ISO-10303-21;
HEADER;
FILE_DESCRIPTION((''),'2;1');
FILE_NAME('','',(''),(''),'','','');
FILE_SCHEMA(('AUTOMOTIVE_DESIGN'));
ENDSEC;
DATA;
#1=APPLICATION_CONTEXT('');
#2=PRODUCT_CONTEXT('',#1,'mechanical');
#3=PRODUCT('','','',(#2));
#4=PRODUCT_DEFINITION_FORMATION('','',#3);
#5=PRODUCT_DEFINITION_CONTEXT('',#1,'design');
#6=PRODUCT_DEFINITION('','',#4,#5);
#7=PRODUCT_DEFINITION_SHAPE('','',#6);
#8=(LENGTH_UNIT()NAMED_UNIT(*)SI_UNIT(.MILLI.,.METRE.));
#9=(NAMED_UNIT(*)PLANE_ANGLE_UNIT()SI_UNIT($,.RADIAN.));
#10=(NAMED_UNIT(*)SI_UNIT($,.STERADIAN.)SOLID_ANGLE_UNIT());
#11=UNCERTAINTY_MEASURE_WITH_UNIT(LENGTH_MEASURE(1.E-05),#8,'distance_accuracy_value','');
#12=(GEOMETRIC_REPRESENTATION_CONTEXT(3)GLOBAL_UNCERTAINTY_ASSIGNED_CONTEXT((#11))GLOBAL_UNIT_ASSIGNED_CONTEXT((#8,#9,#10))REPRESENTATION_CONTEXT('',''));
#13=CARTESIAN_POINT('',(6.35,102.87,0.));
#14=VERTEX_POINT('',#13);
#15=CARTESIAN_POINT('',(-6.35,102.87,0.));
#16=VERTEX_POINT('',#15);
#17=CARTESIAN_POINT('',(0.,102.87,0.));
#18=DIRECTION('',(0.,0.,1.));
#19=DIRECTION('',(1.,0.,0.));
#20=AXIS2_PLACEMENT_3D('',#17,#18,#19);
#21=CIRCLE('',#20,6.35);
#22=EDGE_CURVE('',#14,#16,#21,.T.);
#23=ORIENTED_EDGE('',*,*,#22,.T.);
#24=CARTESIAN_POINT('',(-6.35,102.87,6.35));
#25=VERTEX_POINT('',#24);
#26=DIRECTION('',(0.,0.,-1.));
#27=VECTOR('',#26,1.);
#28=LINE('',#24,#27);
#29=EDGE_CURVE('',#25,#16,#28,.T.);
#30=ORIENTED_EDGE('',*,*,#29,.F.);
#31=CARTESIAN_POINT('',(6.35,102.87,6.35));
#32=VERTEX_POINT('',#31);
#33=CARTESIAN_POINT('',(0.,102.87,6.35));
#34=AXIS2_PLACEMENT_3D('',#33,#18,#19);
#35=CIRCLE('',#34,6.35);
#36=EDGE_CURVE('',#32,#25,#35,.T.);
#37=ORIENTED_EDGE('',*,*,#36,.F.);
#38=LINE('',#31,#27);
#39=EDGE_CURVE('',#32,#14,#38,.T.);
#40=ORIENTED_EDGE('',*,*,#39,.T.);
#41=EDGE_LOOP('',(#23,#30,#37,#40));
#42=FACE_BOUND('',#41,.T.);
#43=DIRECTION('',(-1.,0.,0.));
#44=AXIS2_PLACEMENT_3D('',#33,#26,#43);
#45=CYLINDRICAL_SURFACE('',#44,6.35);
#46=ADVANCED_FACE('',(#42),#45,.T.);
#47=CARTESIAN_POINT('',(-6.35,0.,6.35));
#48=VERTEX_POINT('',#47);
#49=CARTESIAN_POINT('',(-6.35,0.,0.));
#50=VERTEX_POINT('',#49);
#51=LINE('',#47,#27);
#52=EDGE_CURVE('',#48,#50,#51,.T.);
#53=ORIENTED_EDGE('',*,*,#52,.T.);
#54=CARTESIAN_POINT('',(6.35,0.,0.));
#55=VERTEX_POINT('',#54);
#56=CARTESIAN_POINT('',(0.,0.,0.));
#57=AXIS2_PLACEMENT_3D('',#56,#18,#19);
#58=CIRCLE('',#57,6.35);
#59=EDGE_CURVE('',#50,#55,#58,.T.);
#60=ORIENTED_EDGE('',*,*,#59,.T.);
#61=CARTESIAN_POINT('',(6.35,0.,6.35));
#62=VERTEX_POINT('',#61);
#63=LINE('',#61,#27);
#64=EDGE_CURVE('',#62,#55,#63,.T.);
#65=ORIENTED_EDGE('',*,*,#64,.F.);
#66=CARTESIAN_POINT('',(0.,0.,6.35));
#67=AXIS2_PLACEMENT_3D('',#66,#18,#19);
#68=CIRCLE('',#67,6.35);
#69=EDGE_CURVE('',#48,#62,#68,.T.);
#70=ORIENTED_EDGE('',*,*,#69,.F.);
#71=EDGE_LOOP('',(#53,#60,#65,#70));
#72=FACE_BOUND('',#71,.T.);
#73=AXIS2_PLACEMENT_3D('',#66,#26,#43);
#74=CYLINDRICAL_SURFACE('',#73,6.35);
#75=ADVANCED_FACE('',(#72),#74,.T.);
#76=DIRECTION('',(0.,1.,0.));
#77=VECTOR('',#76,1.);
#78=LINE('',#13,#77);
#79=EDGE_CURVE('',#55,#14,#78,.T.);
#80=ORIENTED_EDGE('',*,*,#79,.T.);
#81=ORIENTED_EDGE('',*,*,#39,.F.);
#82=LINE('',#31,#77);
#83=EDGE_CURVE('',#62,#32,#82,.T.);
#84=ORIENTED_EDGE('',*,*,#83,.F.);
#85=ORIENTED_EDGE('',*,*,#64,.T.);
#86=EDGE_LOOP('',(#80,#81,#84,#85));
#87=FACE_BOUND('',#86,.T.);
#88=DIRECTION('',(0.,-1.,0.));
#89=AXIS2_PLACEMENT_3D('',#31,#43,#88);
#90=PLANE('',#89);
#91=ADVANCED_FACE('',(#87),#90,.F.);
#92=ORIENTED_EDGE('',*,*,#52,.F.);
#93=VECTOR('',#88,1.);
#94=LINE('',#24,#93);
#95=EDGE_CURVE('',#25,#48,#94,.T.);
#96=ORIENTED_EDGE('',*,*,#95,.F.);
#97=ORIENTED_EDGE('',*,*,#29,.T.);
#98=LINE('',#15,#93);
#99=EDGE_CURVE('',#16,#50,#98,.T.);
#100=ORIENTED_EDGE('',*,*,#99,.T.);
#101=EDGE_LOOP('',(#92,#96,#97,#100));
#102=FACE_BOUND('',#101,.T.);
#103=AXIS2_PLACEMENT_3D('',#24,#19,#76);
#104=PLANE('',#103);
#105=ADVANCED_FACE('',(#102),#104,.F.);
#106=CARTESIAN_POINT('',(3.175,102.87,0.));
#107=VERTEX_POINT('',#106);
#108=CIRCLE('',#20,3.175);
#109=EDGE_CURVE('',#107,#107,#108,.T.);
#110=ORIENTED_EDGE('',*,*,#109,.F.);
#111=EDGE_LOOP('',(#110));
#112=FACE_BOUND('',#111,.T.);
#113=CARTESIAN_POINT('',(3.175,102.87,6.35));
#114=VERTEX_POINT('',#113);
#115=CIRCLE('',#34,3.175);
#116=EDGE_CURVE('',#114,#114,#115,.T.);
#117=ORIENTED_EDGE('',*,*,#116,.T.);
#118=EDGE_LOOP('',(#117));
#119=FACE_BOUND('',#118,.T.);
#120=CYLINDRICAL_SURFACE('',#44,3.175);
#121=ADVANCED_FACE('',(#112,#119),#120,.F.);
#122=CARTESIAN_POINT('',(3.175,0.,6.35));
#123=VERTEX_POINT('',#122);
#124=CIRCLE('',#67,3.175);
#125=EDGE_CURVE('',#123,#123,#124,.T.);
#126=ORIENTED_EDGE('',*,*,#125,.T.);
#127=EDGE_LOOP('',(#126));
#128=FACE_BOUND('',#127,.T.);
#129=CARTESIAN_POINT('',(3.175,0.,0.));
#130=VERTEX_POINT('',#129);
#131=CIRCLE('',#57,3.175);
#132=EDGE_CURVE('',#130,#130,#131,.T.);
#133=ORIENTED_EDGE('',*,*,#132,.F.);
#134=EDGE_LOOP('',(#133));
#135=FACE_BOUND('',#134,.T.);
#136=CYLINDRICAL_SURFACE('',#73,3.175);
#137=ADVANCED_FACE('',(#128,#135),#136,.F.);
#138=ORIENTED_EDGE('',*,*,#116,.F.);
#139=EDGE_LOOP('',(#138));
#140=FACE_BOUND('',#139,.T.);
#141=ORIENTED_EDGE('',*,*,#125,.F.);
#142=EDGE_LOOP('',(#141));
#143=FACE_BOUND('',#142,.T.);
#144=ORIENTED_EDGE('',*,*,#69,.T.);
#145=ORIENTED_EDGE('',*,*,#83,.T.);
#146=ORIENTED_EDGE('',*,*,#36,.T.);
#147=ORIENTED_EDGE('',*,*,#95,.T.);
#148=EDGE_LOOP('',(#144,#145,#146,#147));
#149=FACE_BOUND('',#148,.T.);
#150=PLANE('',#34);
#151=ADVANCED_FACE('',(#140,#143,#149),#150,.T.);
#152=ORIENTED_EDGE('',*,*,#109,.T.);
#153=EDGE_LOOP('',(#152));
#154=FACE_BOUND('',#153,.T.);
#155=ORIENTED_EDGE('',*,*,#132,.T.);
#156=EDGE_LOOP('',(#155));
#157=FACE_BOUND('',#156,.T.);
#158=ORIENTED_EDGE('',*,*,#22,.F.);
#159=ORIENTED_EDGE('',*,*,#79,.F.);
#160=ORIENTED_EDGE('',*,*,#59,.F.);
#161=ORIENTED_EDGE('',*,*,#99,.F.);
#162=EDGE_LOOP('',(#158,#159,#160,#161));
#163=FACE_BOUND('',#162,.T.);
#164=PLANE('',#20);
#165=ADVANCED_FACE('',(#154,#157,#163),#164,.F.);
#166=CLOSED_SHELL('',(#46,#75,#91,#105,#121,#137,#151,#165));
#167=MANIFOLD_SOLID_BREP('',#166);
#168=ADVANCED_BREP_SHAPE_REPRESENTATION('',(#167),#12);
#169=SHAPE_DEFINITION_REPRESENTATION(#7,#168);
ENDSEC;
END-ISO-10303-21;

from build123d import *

# Parameters (mm, degrees)
SKETCH1_R           = 3.175
BOSS_EXTRUDE1_DEPTH = 6.35


with BuildPart() as part:
    # Sketch1 → Boss-Extrude1 (new body)
    with BuildSketch(Plane.XY):
        with BuildLine():
            Line((-6.35, 102.87), (-6.35, 0))
            ThreePointArc((-6.35, 0), (0, -6.35), (6.35, 0))
            Line((6.35, 0), (6.35, 102.87))
            ThreePointArc((6.35, 102.87), (0, 109.22), (-6.35, 102.87))
        make_face()
        with Locations((0, 102.87)):
            Circle(SKETCH1_R, mode=Mode.SUBTRACT)
        Circle(SKETCH1_R, mode=Mode.SUBTRACT)
    extrude(amount=BOSS_EXTRUDE1_DEPTH)


solid = part.part
